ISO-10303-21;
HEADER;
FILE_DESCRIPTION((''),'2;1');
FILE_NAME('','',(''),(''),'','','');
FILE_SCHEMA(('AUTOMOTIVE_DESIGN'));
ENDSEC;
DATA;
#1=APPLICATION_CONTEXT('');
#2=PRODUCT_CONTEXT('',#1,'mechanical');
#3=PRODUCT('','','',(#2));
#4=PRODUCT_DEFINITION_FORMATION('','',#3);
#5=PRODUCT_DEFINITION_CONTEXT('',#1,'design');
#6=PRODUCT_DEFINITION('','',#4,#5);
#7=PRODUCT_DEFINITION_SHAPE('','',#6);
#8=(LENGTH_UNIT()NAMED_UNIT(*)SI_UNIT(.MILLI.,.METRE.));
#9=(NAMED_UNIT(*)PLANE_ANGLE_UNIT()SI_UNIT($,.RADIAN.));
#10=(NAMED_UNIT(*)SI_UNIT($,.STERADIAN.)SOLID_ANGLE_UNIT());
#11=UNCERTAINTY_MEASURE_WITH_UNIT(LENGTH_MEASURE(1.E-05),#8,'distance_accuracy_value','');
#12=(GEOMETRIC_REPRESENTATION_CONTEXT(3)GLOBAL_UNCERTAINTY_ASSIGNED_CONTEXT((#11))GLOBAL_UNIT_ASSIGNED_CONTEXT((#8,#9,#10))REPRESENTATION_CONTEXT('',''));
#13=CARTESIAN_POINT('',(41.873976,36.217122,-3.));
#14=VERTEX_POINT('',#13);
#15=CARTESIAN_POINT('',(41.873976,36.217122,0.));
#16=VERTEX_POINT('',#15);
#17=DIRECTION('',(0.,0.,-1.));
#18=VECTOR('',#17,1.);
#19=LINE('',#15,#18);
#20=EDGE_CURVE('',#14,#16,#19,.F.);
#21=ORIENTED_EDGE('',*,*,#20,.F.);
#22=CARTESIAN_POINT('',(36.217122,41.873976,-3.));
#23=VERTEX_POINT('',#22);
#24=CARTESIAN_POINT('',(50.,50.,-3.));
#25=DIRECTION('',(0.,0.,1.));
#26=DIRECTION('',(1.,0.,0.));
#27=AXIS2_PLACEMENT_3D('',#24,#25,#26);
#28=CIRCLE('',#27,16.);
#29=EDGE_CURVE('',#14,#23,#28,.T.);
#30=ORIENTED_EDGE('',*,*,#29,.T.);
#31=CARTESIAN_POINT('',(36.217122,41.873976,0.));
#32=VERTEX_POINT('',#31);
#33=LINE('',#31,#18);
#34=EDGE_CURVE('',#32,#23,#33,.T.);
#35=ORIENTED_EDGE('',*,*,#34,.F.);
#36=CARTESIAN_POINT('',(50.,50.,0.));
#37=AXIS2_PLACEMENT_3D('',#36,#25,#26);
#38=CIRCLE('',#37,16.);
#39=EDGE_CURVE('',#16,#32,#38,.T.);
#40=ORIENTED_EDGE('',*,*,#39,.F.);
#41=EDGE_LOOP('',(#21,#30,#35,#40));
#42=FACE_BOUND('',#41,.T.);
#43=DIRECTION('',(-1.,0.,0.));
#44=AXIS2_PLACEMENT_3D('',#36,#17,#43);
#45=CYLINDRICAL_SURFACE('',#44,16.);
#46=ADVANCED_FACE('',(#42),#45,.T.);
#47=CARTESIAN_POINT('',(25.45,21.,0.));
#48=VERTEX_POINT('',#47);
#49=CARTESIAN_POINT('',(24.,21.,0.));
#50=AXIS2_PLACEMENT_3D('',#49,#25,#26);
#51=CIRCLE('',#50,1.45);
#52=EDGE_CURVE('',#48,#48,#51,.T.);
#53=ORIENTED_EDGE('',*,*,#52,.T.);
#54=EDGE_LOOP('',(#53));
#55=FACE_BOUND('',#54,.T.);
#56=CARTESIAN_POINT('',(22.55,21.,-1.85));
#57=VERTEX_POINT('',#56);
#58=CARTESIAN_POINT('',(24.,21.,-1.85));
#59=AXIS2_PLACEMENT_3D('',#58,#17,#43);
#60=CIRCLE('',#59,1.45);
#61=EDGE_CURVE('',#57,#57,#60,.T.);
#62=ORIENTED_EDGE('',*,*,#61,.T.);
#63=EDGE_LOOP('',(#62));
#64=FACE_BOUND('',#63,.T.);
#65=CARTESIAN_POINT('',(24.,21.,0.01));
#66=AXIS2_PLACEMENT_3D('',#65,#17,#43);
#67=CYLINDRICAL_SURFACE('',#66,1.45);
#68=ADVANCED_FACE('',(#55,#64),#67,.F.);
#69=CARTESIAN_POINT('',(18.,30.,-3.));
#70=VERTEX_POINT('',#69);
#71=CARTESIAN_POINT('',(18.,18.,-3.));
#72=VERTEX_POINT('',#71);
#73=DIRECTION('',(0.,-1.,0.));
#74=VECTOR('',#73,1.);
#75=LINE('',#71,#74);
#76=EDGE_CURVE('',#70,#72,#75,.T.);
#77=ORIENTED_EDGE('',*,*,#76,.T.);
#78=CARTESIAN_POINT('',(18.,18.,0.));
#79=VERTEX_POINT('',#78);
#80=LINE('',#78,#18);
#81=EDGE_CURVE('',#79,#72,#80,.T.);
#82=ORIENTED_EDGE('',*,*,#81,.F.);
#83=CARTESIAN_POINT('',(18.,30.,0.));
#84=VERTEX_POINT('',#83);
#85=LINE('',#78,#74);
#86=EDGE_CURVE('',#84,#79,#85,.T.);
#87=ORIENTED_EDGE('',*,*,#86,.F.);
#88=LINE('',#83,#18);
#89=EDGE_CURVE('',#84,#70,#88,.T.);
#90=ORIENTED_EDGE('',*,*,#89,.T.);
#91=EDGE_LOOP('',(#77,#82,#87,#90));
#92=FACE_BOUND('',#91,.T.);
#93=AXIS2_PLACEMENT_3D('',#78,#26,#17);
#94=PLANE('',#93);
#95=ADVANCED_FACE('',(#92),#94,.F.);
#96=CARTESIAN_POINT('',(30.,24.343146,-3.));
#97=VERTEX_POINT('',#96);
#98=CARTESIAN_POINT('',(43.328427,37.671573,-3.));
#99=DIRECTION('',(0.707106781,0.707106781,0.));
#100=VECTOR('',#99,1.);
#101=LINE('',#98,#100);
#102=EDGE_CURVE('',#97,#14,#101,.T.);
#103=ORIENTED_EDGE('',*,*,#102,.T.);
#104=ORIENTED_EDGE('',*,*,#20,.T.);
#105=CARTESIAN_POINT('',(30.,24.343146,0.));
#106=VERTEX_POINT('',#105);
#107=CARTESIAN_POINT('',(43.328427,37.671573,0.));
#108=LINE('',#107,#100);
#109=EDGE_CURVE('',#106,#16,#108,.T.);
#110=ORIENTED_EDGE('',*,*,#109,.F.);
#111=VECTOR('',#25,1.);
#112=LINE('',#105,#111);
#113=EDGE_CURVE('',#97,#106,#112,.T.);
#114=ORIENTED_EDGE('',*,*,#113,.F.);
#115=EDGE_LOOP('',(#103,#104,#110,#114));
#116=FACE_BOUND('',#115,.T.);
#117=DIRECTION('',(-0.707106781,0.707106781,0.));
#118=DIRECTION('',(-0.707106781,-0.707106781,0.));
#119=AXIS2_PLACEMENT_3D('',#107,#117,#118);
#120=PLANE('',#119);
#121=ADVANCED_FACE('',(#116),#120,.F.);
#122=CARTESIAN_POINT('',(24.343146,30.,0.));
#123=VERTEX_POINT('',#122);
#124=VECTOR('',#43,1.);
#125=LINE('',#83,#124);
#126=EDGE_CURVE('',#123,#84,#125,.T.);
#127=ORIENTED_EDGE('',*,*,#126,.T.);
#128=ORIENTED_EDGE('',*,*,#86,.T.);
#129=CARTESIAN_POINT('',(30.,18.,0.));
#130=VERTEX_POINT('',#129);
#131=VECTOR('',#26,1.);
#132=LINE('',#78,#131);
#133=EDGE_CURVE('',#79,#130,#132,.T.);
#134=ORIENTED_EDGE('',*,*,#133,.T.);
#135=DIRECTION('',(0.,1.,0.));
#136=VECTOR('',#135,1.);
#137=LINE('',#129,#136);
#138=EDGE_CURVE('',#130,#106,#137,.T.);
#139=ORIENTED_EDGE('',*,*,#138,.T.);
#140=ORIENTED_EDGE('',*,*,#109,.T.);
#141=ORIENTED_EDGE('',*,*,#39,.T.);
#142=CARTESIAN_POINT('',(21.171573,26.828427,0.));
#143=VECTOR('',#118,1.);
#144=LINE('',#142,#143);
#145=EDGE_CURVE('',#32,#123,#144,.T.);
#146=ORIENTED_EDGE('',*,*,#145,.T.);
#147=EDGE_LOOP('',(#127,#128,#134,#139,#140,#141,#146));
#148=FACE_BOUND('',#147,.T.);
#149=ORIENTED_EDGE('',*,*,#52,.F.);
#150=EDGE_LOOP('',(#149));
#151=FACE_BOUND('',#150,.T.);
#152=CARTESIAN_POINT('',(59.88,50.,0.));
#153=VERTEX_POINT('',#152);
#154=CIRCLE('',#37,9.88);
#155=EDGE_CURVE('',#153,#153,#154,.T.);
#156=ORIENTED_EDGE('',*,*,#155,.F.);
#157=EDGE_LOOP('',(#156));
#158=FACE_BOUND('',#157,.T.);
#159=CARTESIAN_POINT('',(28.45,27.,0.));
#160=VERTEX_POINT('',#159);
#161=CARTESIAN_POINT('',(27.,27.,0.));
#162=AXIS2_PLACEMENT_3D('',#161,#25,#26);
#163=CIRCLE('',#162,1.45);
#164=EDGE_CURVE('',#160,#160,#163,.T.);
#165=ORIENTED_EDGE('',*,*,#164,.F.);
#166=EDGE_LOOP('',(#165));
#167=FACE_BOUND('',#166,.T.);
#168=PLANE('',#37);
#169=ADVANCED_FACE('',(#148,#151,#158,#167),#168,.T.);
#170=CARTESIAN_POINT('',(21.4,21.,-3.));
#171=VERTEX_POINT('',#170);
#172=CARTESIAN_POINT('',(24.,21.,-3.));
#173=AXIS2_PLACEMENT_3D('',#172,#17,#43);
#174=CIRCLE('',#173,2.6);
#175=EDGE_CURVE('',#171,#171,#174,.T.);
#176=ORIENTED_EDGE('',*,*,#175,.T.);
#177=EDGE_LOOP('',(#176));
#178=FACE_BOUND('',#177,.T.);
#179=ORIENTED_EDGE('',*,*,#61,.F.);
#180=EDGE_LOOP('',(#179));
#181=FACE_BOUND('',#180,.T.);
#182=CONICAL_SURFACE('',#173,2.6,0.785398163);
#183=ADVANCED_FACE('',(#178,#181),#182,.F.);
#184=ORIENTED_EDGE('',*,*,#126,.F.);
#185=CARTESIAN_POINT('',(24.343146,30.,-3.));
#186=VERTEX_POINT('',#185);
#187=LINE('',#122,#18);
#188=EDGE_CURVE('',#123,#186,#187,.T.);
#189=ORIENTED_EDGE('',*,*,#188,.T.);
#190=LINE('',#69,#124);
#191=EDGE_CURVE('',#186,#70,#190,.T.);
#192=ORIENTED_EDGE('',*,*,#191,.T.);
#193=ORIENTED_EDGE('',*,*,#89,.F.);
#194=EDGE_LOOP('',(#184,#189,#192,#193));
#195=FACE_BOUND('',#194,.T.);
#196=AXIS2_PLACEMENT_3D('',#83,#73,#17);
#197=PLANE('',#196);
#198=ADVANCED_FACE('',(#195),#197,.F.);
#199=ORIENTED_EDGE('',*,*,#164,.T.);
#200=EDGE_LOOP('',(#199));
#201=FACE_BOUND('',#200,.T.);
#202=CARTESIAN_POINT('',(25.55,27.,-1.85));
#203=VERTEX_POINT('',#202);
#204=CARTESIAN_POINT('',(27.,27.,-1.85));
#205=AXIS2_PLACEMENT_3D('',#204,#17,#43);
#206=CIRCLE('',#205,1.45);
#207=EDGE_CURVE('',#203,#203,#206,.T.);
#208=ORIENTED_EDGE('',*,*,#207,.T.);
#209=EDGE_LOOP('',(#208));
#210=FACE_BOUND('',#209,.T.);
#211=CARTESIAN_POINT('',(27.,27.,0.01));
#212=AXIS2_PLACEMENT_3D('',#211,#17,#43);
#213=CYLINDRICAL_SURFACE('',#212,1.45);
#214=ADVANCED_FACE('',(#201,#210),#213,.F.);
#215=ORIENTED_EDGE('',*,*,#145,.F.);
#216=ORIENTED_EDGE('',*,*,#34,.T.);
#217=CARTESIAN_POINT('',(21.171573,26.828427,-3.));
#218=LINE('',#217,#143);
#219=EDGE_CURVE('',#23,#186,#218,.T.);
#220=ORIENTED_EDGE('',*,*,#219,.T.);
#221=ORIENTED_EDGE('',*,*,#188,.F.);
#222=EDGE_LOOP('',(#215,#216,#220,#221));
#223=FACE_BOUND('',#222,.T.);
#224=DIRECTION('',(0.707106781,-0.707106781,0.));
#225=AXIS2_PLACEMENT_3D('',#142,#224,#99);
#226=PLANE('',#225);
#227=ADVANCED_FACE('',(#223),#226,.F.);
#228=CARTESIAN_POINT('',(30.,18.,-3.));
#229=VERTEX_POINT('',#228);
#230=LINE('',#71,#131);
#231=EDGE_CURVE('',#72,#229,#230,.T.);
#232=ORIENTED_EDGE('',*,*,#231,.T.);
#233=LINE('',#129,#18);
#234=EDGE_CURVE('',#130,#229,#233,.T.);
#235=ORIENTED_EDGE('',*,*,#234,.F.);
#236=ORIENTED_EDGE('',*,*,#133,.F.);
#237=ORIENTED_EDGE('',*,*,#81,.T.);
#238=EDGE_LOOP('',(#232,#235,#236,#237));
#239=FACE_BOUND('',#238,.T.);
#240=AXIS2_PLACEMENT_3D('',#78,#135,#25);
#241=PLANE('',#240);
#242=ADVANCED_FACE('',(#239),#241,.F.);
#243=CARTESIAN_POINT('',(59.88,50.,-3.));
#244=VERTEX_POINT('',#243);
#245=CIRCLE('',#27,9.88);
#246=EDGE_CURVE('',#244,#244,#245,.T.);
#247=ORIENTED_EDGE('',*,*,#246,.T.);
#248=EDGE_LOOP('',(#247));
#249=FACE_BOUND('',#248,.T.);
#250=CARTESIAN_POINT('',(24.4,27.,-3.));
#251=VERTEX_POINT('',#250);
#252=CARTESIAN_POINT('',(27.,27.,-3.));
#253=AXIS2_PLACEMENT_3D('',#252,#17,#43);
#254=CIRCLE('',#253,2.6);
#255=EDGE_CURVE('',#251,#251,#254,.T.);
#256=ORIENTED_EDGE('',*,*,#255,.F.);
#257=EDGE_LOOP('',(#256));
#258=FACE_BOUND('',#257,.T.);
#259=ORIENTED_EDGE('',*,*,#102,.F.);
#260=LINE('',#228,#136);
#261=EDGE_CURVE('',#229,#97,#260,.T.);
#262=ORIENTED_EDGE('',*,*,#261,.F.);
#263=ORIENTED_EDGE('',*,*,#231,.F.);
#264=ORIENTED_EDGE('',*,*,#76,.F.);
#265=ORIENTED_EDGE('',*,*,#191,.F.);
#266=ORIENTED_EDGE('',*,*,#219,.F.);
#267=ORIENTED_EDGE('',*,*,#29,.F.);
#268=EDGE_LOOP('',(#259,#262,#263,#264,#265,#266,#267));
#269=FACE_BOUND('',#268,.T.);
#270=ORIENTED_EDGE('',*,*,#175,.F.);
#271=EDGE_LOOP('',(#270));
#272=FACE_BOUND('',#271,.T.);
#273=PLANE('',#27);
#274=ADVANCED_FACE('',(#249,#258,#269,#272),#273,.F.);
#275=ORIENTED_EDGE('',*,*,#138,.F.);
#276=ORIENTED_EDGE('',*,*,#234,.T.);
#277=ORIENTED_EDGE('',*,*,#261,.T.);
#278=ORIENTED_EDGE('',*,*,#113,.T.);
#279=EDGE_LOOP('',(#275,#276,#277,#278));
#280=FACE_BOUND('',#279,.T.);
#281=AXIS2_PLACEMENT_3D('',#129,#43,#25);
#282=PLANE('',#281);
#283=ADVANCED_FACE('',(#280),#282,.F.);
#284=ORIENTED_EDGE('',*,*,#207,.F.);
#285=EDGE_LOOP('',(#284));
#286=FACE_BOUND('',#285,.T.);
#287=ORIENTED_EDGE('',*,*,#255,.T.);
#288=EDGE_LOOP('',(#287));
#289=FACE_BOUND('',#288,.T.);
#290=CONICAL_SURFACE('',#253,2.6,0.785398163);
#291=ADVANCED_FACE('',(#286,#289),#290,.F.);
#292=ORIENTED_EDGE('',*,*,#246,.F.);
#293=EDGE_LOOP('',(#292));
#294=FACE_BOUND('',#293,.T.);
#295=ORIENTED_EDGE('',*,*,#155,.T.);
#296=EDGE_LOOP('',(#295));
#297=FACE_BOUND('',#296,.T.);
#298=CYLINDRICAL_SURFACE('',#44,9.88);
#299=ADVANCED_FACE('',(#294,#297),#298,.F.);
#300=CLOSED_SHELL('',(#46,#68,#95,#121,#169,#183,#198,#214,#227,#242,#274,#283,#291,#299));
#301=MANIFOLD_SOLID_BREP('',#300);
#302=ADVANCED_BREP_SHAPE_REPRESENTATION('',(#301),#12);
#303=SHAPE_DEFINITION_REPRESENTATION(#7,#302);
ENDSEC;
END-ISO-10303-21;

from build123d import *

# Parameters (mm, degrees)
STOP_RING_D19P76_OD32_START               = -3
SKETCH1_R                                 = 16
SKETCH1_R_2                               = 9.88
STOP_RING_D19P76_OD32_DEPTH               = 3
OUTBOARD_BRIDGE_START                     = -3
OUTBOARD_BRIDGE_DEPTH                     = 3
BASE_ATTACHMENT_PAD_START                 = -3
SKETCH3_W                                 = 12
SKETCH3_H                                 = 12
BASE_ATTACHMENT_PAD_DEPTH                 = 3
SKETCH8_R                                 = 1.45
STOP_MOUNT_D2P9_THROUGH_DEPTH             = 3.01
SKETCH9_R                                 = 2.6
STOP_MOUNT_CSK_D5P2_90DEG_DEPTH           = 1.15
STOP_MOUNT_CSK_D5P2_90DEG_DRAFT           = -45
STOP_MOUNT_CSK_D5P2_90DEG_PROFILE_2_DEPTH = 1.15
STOP_MOUNT_CSK_D5P2_90DEG_PROFILE_2_DRAFT = -45


with BuildPart() as part:
    # Sketch1 → Stop_Ring_D19p76_OD32 (new body)
    with BuildSketch(Plane.XY.offset(STOP_RING_D19P76_OD32_START)):
        with Locations((50, 50)):
            Circle(SKETCH1_R)
        with Locations((50, 50)):
            Circle(SKETCH1_R_2, mode=Mode.SUBTRACT)
    extrude(amount=STOP_RING_D19P76_OD32_DEPTH)

    # Sketch2 → Outboard_Bridge (add)
    with BuildSketch(Plane.XY.offset(OUTBOARD_BRIDGE_START)):
        Polygon((21.171572875, 26.828427125), (37.671572875, 43.328427125), (43.328427125, 37.671572875), (26.828427125, 21.171572875), align=None)
    extrude(amount=OUTBOARD_BRIDGE_DEPTH)

    # Sketch3 → Base_Attachment_Pad (add)
    with BuildSketch(Plane.XY.offset(BASE_ATTACHMENT_PAD_START)):
        with Locations((24, 24)):
            Rectangle(SKETCH3_W, SKETCH3_H)
    extrude(amount=BASE_ATTACHMENT_PAD_DEPTH)

    # Sketch8 → Stop_Mount_D2p9_Through (cut)
    with BuildSketch(Plane(origin=(0, 0, -3), x_dir=(-1, 0, 0), z_dir=(0, 0, -1))):
        with Locations((-24, 21)):
            Circle(SKETCH8_R)
        with Locations((-27, 27)):
            Circle(SKETCH8_R)
    extrude(amount=-STOP_MOUNT_D2P9_THROUGH_DEPTH, mode=Mode.SUBTRACT)


with BuildPart() as stop_mount_csk_d5p2_90deg_tool:
    # Sketch9 → Stop_Mount_CSK_D5p2_90deg (with draft: the straight prism first)
    with BuildSketch(Plane(origin=(0, 0, -3), x_dir=(-1, 0, 0), z_dir=(0, 0, -1))):
        with Locations((-24, 21)):
            Circle(SKETCH9_R)
    extrude(amount=-STOP_MOUNT_CSK_D5P2_90DEG_DEPTH)
    # Stop_Mount_CSK_D5p2_90deg: the draft: its side faces are tilted about the plane it starts from
    stop_mount_csk_d5p2_90deg_sides = [stop_mount_csk_d5p2_90deg_tool.faces().sort_by_distance(p)[0] for p in [
        (26.6, 21, -2.425),
    ]]
    draft(stop_mount_csk_d5p2_90deg_sides, Plane(origin=(0, 0, -3), x_dir=(-1, 0, 0), z_dir=(0, 0, -1)), STOP_MOUNT_CSK_D5P2_90DEG_DRAFT)


with BuildPart() as part_1:
    add(part.part)

    # Stop_Mount_CSK_D5p2_90deg: cut by stop_mount_csk_d5p2_90deg_tool
    add(stop_mount_csk_d5p2_90deg_tool.part, mode=Mode.SUBTRACT)


with BuildPart() as stop_mount_csk_d5p2_90deg_profile_2_tool:
    # Sketch9 → Stop_Mount_CSK_D5p2_90deg profile 2 (with draft: the straight prism first)
    with BuildSketch(Plane(origin=(0, 0, -3), x_dir=(-1, 0, 0), z_dir=(0, 0, -1))):
        with Locations((-27, 27)):
            Circle(SKETCH9_R)
    extrude(amount=-STOP_MOUNT_CSK_D5P2_90DEG_PROFILE_2_DEPTH)
    # Stop_Mount_CSK_D5p2_90deg profile 2: the draft: its side faces are tilted about the plane it starts from
    stop_mount_csk_d5p2_90deg_profile_2_sides = [stop_mount_csk_d5p2_90deg_profile_2_tool.faces().sort_by_distance(p)[0] for p in [
        (29.6, 27, -2.425),
    ]]
    draft(stop_mount_csk_d5p2_90deg_profile_2_sides, Plane(origin=(0, 0, -3), x_dir=(-1, 0, 0), z_dir=(0, 0, -1)), STOP_MOUNT_CSK_D5P2_90DEG_PROFILE_2_DRAFT)


with BuildPart() as part_2:
    add(part_1.part)

    # Stop_Mount_CSK_D5p2_90deg profile 2: cut by stop_mount_csk_d5p2_90deg_profile_2_tool
    add(stop_mount_csk_d5p2_90deg_profile_2_tool.part, mode=Mode.SUBTRACT)


solid = part_2.part
